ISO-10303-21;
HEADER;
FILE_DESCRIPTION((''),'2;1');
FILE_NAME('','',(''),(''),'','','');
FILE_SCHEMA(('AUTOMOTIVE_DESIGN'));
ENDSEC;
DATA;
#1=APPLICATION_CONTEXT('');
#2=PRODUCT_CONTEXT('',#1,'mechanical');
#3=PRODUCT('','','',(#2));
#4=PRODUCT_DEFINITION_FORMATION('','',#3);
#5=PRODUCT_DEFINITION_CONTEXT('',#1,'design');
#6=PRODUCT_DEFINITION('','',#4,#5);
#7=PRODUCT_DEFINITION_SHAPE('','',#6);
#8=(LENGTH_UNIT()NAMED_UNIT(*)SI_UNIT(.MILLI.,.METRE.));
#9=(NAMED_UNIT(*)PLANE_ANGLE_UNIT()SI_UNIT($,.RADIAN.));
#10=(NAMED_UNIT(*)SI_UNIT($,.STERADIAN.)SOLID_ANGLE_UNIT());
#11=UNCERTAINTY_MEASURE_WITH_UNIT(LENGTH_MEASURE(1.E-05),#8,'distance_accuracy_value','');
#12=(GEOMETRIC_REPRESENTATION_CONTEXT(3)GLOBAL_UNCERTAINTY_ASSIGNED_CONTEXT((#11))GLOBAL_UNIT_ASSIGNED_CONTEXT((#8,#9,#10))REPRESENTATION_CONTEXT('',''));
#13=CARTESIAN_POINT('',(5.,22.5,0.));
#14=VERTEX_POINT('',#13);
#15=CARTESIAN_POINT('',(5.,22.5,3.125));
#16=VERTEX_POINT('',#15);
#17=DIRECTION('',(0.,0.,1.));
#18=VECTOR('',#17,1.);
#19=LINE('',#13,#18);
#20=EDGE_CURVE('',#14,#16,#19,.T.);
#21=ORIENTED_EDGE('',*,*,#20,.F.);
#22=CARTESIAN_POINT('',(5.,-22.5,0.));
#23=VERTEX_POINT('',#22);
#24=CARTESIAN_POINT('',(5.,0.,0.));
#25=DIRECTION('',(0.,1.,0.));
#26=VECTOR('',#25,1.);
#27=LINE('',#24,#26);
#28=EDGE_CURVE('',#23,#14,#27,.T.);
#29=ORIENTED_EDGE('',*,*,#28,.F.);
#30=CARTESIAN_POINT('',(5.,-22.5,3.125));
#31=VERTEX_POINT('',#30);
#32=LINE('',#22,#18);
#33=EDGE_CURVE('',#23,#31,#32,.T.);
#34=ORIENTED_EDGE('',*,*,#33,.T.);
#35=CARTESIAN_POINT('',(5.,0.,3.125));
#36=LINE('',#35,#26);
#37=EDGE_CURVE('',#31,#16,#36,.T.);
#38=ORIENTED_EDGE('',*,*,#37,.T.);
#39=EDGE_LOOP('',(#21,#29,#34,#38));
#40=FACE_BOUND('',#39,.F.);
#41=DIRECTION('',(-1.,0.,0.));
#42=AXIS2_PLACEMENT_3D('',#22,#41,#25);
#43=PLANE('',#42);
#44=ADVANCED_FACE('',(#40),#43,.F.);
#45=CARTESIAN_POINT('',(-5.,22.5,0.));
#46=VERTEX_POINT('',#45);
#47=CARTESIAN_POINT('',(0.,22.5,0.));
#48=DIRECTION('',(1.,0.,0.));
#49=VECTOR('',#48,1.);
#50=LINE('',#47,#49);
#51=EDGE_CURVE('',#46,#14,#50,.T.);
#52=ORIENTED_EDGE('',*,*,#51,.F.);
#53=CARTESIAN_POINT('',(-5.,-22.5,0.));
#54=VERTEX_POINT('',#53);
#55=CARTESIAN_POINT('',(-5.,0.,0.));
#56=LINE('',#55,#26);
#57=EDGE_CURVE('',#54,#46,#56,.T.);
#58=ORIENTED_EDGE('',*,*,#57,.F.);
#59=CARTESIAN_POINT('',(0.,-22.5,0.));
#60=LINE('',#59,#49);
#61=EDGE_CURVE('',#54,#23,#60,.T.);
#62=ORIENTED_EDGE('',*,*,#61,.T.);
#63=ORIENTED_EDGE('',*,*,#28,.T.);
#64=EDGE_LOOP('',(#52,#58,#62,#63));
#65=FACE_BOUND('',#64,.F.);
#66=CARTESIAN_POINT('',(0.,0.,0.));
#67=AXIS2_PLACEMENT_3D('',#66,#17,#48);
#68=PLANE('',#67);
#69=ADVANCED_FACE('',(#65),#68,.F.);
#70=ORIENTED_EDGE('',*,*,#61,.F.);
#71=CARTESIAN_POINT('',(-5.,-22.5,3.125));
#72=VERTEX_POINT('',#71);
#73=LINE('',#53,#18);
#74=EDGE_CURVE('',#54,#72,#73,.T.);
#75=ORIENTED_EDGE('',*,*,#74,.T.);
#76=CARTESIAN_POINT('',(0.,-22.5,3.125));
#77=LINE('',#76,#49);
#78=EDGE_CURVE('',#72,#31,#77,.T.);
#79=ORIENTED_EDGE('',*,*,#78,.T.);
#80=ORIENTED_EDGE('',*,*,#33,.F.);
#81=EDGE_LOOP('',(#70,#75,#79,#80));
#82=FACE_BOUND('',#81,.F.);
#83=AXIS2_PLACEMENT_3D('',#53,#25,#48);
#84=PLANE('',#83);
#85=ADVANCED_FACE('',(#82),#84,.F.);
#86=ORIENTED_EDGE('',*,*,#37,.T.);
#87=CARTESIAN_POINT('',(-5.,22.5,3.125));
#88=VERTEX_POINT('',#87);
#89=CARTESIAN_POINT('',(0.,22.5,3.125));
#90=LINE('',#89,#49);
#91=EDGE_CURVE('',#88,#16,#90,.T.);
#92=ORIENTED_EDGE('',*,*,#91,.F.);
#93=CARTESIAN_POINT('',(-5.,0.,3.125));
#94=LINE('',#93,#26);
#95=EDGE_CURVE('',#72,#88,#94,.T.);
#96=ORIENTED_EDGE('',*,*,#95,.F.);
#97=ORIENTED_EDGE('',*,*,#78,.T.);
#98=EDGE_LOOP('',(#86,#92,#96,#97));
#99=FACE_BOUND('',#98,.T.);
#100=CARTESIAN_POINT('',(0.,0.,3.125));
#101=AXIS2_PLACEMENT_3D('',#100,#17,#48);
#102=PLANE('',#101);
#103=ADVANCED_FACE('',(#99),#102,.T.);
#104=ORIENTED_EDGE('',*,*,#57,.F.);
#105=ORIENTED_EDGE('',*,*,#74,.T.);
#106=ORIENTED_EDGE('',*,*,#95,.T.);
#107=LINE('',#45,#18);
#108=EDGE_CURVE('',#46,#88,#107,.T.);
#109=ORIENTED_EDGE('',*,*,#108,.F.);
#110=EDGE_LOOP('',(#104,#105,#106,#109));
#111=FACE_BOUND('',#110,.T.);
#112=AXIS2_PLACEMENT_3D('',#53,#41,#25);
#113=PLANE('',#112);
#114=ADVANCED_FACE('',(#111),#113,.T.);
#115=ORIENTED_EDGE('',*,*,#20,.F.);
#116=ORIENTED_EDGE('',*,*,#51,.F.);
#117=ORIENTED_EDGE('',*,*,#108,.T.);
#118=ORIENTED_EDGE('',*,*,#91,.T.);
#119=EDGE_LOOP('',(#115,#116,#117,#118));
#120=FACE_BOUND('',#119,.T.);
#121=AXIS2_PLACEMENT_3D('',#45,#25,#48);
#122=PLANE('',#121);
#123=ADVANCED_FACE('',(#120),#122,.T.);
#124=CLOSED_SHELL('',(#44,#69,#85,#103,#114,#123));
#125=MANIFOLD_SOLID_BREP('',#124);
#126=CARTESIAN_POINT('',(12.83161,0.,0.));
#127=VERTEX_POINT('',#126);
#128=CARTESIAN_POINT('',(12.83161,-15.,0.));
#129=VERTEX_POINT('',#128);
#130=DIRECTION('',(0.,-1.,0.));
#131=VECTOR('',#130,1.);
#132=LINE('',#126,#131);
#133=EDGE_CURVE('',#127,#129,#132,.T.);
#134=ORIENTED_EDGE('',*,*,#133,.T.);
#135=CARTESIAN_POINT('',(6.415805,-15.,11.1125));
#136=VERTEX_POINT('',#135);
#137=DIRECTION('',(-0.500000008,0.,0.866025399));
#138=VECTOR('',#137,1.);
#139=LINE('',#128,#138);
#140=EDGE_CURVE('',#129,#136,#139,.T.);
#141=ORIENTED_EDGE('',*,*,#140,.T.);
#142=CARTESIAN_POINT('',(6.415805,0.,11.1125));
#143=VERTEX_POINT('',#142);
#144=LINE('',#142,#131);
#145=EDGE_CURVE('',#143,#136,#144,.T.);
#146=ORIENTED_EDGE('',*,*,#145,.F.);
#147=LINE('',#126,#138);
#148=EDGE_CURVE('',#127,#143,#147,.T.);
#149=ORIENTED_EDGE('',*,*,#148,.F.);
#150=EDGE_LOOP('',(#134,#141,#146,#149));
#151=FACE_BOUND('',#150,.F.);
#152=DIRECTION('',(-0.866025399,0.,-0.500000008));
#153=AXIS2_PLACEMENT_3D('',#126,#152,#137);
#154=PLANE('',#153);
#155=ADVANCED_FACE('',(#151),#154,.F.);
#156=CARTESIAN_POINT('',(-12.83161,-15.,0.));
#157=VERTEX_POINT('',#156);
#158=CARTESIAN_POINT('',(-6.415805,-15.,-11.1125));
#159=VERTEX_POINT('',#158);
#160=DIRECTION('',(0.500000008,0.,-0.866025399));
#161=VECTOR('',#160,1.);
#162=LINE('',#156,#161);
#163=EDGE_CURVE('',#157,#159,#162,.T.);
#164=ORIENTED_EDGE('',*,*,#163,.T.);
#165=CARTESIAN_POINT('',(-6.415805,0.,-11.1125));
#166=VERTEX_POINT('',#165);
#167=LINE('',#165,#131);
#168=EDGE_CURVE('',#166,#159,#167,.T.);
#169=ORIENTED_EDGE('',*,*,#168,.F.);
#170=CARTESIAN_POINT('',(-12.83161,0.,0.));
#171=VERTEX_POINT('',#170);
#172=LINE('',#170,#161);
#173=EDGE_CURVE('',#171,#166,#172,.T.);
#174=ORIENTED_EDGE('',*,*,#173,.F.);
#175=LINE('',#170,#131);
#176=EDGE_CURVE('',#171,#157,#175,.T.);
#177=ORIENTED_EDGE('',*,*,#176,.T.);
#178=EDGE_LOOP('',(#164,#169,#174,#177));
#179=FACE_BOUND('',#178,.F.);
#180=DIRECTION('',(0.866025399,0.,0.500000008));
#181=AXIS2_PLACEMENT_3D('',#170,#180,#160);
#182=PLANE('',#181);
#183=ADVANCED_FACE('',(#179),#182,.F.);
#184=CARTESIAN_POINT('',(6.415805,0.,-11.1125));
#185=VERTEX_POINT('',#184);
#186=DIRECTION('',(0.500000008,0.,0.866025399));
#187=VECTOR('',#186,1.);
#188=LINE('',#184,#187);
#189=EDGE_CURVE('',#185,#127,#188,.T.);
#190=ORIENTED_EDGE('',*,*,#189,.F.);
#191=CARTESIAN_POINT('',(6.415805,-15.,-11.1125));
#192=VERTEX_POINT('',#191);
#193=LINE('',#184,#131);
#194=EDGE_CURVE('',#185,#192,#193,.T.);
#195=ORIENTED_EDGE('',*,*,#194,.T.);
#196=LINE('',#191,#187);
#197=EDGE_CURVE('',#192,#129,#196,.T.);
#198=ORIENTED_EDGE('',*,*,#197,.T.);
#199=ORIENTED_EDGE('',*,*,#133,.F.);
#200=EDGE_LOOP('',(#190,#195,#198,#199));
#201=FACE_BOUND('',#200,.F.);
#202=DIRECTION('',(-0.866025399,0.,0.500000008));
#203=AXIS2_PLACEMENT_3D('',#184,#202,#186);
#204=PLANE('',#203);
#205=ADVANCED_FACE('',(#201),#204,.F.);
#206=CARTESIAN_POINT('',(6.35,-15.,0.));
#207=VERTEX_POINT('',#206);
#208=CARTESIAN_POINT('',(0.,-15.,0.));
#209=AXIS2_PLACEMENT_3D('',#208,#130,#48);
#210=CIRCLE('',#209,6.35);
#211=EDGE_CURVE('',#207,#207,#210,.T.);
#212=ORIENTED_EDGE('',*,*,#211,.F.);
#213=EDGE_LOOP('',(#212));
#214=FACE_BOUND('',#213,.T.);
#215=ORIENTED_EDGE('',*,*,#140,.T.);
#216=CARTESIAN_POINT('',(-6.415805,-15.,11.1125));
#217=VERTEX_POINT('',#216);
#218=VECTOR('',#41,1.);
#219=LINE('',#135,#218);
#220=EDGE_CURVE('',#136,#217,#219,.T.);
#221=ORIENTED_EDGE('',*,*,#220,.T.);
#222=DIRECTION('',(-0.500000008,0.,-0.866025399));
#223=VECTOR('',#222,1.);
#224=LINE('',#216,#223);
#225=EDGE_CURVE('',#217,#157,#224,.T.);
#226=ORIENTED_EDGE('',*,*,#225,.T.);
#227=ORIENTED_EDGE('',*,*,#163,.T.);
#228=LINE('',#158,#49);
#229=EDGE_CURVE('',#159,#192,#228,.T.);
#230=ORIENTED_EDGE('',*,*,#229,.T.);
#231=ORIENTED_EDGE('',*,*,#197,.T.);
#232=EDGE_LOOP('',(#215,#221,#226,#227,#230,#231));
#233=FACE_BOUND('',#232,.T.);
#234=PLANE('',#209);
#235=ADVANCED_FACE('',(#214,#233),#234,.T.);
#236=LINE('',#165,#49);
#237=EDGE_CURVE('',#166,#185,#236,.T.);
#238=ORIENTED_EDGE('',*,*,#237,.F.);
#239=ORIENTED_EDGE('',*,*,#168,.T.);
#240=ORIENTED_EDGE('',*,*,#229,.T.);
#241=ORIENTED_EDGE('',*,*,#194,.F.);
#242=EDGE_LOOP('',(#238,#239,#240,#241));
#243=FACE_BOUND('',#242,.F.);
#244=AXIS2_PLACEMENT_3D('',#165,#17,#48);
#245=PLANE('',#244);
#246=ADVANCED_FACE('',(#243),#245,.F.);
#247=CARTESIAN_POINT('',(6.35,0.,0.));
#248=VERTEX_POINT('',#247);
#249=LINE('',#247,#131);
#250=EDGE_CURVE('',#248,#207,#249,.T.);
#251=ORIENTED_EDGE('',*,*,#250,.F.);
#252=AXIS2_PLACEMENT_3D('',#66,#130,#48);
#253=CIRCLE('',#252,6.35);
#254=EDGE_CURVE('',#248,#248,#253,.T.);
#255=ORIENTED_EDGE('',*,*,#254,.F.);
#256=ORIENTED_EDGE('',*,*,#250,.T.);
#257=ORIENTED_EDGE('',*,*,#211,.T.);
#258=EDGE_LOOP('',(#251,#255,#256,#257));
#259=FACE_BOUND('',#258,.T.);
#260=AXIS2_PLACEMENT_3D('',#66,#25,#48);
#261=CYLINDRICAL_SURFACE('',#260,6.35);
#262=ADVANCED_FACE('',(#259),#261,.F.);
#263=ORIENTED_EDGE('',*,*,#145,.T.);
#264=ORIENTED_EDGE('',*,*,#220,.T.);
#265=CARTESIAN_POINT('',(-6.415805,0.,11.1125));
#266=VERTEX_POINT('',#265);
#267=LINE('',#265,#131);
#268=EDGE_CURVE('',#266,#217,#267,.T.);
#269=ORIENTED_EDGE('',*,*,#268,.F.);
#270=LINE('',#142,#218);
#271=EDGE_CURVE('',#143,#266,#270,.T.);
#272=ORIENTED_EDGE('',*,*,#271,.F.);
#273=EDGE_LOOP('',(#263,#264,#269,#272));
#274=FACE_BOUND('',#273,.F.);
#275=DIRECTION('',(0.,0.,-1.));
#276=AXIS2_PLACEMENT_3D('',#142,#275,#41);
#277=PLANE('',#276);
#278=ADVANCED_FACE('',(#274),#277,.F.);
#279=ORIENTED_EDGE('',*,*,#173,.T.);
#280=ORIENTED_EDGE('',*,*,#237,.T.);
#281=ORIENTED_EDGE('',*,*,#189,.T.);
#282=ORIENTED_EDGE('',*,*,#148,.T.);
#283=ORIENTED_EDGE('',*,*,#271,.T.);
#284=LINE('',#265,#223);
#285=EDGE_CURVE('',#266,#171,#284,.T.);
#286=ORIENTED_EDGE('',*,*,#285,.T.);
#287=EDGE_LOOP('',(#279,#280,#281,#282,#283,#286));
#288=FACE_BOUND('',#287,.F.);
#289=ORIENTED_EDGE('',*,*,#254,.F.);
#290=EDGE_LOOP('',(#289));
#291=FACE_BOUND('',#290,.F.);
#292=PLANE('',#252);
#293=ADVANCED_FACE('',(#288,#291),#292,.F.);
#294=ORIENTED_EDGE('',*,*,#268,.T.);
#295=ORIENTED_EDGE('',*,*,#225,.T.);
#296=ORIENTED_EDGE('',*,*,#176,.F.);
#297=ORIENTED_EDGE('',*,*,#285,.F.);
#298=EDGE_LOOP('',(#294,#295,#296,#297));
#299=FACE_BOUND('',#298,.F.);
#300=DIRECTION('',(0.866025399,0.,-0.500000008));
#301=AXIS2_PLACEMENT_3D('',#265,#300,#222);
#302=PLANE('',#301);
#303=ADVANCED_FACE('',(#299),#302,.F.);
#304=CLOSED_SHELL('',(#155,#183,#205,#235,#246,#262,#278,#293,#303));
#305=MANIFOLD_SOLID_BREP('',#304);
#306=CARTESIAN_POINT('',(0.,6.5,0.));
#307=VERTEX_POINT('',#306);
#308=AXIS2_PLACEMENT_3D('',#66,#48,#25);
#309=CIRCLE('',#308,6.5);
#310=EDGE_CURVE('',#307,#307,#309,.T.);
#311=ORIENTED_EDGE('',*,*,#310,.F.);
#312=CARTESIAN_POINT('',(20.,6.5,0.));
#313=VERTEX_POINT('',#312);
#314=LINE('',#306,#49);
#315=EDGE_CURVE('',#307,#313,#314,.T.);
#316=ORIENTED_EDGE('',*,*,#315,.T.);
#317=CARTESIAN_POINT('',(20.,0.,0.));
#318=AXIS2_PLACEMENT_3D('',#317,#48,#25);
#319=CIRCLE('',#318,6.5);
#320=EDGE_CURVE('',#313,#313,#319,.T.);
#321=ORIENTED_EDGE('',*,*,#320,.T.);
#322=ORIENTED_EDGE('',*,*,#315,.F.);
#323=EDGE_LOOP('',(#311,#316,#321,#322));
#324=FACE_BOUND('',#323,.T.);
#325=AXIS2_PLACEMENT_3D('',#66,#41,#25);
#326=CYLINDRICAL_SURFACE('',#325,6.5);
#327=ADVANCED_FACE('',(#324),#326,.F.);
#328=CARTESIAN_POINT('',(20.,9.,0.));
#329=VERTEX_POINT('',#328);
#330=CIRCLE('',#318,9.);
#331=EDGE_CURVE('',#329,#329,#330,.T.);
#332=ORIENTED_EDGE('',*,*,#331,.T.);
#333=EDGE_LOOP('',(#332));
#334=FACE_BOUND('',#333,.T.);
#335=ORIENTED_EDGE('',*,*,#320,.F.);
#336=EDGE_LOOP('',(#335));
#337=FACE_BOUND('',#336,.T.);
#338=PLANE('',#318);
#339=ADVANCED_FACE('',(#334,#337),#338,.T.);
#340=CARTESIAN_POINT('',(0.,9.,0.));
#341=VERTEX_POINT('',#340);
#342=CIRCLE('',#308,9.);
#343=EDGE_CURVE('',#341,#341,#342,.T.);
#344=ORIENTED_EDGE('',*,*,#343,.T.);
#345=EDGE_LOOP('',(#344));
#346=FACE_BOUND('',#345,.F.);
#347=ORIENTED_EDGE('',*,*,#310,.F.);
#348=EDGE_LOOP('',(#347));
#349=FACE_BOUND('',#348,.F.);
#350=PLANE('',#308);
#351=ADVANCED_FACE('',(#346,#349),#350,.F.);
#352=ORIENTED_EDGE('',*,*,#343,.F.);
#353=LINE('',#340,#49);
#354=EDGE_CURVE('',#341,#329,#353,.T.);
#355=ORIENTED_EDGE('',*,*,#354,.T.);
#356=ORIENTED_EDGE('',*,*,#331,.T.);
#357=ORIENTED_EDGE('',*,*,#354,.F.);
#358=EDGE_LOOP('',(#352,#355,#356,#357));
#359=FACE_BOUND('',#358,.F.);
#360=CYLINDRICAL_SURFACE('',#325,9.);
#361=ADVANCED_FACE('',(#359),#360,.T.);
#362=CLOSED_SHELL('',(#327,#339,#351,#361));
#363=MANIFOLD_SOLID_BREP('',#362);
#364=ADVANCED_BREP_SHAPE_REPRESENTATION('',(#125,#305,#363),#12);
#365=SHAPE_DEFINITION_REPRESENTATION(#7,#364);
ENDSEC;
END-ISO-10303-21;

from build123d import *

# Parameters (mm, degrees)
F0_R     = 6.35
F1_DEPTH = 15
F2_R     = 9
F2_R_2   = 6.5
F3_DEPTH = 20
F4_W     = 10
F4_H     = 45
F5_DEPTH = 3.125


with BuildPart() as f1:
    # F0 (on Front) → F1 (new body)
    with BuildSketch(Plane.XZ):
        Polygon((6.415805, 11.1125), (-6.415805, 11.1125), (-12.83161, 0), (-6.415805, -11.1125), (6.415805, -11.1125), (12.83161, 0), align=None)
        Circle(F0_R, mode=Mode.SUBTRACT)
    extrude(amount=F1_DEPTH)


with BuildPart() as f3:
    # F2 (on Right) → F3 (new body)
    with BuildSketch(Plane.YZ):
        Circle(F2_R)
        Circle(F2_R_2, mode=Mode.SUBTRACT)
    extrude(amount=F3_DEPTH)


with BuildPart() as f5:
    # F4 (on Top) → F5 (new body)
    with BuildSketch(Plane.XY):
        Rectangle(F4_W, F4_H)
    extrude(amount=F5_DEPTH)


solid = Compound([f1.part, f3.part, f5.part])
